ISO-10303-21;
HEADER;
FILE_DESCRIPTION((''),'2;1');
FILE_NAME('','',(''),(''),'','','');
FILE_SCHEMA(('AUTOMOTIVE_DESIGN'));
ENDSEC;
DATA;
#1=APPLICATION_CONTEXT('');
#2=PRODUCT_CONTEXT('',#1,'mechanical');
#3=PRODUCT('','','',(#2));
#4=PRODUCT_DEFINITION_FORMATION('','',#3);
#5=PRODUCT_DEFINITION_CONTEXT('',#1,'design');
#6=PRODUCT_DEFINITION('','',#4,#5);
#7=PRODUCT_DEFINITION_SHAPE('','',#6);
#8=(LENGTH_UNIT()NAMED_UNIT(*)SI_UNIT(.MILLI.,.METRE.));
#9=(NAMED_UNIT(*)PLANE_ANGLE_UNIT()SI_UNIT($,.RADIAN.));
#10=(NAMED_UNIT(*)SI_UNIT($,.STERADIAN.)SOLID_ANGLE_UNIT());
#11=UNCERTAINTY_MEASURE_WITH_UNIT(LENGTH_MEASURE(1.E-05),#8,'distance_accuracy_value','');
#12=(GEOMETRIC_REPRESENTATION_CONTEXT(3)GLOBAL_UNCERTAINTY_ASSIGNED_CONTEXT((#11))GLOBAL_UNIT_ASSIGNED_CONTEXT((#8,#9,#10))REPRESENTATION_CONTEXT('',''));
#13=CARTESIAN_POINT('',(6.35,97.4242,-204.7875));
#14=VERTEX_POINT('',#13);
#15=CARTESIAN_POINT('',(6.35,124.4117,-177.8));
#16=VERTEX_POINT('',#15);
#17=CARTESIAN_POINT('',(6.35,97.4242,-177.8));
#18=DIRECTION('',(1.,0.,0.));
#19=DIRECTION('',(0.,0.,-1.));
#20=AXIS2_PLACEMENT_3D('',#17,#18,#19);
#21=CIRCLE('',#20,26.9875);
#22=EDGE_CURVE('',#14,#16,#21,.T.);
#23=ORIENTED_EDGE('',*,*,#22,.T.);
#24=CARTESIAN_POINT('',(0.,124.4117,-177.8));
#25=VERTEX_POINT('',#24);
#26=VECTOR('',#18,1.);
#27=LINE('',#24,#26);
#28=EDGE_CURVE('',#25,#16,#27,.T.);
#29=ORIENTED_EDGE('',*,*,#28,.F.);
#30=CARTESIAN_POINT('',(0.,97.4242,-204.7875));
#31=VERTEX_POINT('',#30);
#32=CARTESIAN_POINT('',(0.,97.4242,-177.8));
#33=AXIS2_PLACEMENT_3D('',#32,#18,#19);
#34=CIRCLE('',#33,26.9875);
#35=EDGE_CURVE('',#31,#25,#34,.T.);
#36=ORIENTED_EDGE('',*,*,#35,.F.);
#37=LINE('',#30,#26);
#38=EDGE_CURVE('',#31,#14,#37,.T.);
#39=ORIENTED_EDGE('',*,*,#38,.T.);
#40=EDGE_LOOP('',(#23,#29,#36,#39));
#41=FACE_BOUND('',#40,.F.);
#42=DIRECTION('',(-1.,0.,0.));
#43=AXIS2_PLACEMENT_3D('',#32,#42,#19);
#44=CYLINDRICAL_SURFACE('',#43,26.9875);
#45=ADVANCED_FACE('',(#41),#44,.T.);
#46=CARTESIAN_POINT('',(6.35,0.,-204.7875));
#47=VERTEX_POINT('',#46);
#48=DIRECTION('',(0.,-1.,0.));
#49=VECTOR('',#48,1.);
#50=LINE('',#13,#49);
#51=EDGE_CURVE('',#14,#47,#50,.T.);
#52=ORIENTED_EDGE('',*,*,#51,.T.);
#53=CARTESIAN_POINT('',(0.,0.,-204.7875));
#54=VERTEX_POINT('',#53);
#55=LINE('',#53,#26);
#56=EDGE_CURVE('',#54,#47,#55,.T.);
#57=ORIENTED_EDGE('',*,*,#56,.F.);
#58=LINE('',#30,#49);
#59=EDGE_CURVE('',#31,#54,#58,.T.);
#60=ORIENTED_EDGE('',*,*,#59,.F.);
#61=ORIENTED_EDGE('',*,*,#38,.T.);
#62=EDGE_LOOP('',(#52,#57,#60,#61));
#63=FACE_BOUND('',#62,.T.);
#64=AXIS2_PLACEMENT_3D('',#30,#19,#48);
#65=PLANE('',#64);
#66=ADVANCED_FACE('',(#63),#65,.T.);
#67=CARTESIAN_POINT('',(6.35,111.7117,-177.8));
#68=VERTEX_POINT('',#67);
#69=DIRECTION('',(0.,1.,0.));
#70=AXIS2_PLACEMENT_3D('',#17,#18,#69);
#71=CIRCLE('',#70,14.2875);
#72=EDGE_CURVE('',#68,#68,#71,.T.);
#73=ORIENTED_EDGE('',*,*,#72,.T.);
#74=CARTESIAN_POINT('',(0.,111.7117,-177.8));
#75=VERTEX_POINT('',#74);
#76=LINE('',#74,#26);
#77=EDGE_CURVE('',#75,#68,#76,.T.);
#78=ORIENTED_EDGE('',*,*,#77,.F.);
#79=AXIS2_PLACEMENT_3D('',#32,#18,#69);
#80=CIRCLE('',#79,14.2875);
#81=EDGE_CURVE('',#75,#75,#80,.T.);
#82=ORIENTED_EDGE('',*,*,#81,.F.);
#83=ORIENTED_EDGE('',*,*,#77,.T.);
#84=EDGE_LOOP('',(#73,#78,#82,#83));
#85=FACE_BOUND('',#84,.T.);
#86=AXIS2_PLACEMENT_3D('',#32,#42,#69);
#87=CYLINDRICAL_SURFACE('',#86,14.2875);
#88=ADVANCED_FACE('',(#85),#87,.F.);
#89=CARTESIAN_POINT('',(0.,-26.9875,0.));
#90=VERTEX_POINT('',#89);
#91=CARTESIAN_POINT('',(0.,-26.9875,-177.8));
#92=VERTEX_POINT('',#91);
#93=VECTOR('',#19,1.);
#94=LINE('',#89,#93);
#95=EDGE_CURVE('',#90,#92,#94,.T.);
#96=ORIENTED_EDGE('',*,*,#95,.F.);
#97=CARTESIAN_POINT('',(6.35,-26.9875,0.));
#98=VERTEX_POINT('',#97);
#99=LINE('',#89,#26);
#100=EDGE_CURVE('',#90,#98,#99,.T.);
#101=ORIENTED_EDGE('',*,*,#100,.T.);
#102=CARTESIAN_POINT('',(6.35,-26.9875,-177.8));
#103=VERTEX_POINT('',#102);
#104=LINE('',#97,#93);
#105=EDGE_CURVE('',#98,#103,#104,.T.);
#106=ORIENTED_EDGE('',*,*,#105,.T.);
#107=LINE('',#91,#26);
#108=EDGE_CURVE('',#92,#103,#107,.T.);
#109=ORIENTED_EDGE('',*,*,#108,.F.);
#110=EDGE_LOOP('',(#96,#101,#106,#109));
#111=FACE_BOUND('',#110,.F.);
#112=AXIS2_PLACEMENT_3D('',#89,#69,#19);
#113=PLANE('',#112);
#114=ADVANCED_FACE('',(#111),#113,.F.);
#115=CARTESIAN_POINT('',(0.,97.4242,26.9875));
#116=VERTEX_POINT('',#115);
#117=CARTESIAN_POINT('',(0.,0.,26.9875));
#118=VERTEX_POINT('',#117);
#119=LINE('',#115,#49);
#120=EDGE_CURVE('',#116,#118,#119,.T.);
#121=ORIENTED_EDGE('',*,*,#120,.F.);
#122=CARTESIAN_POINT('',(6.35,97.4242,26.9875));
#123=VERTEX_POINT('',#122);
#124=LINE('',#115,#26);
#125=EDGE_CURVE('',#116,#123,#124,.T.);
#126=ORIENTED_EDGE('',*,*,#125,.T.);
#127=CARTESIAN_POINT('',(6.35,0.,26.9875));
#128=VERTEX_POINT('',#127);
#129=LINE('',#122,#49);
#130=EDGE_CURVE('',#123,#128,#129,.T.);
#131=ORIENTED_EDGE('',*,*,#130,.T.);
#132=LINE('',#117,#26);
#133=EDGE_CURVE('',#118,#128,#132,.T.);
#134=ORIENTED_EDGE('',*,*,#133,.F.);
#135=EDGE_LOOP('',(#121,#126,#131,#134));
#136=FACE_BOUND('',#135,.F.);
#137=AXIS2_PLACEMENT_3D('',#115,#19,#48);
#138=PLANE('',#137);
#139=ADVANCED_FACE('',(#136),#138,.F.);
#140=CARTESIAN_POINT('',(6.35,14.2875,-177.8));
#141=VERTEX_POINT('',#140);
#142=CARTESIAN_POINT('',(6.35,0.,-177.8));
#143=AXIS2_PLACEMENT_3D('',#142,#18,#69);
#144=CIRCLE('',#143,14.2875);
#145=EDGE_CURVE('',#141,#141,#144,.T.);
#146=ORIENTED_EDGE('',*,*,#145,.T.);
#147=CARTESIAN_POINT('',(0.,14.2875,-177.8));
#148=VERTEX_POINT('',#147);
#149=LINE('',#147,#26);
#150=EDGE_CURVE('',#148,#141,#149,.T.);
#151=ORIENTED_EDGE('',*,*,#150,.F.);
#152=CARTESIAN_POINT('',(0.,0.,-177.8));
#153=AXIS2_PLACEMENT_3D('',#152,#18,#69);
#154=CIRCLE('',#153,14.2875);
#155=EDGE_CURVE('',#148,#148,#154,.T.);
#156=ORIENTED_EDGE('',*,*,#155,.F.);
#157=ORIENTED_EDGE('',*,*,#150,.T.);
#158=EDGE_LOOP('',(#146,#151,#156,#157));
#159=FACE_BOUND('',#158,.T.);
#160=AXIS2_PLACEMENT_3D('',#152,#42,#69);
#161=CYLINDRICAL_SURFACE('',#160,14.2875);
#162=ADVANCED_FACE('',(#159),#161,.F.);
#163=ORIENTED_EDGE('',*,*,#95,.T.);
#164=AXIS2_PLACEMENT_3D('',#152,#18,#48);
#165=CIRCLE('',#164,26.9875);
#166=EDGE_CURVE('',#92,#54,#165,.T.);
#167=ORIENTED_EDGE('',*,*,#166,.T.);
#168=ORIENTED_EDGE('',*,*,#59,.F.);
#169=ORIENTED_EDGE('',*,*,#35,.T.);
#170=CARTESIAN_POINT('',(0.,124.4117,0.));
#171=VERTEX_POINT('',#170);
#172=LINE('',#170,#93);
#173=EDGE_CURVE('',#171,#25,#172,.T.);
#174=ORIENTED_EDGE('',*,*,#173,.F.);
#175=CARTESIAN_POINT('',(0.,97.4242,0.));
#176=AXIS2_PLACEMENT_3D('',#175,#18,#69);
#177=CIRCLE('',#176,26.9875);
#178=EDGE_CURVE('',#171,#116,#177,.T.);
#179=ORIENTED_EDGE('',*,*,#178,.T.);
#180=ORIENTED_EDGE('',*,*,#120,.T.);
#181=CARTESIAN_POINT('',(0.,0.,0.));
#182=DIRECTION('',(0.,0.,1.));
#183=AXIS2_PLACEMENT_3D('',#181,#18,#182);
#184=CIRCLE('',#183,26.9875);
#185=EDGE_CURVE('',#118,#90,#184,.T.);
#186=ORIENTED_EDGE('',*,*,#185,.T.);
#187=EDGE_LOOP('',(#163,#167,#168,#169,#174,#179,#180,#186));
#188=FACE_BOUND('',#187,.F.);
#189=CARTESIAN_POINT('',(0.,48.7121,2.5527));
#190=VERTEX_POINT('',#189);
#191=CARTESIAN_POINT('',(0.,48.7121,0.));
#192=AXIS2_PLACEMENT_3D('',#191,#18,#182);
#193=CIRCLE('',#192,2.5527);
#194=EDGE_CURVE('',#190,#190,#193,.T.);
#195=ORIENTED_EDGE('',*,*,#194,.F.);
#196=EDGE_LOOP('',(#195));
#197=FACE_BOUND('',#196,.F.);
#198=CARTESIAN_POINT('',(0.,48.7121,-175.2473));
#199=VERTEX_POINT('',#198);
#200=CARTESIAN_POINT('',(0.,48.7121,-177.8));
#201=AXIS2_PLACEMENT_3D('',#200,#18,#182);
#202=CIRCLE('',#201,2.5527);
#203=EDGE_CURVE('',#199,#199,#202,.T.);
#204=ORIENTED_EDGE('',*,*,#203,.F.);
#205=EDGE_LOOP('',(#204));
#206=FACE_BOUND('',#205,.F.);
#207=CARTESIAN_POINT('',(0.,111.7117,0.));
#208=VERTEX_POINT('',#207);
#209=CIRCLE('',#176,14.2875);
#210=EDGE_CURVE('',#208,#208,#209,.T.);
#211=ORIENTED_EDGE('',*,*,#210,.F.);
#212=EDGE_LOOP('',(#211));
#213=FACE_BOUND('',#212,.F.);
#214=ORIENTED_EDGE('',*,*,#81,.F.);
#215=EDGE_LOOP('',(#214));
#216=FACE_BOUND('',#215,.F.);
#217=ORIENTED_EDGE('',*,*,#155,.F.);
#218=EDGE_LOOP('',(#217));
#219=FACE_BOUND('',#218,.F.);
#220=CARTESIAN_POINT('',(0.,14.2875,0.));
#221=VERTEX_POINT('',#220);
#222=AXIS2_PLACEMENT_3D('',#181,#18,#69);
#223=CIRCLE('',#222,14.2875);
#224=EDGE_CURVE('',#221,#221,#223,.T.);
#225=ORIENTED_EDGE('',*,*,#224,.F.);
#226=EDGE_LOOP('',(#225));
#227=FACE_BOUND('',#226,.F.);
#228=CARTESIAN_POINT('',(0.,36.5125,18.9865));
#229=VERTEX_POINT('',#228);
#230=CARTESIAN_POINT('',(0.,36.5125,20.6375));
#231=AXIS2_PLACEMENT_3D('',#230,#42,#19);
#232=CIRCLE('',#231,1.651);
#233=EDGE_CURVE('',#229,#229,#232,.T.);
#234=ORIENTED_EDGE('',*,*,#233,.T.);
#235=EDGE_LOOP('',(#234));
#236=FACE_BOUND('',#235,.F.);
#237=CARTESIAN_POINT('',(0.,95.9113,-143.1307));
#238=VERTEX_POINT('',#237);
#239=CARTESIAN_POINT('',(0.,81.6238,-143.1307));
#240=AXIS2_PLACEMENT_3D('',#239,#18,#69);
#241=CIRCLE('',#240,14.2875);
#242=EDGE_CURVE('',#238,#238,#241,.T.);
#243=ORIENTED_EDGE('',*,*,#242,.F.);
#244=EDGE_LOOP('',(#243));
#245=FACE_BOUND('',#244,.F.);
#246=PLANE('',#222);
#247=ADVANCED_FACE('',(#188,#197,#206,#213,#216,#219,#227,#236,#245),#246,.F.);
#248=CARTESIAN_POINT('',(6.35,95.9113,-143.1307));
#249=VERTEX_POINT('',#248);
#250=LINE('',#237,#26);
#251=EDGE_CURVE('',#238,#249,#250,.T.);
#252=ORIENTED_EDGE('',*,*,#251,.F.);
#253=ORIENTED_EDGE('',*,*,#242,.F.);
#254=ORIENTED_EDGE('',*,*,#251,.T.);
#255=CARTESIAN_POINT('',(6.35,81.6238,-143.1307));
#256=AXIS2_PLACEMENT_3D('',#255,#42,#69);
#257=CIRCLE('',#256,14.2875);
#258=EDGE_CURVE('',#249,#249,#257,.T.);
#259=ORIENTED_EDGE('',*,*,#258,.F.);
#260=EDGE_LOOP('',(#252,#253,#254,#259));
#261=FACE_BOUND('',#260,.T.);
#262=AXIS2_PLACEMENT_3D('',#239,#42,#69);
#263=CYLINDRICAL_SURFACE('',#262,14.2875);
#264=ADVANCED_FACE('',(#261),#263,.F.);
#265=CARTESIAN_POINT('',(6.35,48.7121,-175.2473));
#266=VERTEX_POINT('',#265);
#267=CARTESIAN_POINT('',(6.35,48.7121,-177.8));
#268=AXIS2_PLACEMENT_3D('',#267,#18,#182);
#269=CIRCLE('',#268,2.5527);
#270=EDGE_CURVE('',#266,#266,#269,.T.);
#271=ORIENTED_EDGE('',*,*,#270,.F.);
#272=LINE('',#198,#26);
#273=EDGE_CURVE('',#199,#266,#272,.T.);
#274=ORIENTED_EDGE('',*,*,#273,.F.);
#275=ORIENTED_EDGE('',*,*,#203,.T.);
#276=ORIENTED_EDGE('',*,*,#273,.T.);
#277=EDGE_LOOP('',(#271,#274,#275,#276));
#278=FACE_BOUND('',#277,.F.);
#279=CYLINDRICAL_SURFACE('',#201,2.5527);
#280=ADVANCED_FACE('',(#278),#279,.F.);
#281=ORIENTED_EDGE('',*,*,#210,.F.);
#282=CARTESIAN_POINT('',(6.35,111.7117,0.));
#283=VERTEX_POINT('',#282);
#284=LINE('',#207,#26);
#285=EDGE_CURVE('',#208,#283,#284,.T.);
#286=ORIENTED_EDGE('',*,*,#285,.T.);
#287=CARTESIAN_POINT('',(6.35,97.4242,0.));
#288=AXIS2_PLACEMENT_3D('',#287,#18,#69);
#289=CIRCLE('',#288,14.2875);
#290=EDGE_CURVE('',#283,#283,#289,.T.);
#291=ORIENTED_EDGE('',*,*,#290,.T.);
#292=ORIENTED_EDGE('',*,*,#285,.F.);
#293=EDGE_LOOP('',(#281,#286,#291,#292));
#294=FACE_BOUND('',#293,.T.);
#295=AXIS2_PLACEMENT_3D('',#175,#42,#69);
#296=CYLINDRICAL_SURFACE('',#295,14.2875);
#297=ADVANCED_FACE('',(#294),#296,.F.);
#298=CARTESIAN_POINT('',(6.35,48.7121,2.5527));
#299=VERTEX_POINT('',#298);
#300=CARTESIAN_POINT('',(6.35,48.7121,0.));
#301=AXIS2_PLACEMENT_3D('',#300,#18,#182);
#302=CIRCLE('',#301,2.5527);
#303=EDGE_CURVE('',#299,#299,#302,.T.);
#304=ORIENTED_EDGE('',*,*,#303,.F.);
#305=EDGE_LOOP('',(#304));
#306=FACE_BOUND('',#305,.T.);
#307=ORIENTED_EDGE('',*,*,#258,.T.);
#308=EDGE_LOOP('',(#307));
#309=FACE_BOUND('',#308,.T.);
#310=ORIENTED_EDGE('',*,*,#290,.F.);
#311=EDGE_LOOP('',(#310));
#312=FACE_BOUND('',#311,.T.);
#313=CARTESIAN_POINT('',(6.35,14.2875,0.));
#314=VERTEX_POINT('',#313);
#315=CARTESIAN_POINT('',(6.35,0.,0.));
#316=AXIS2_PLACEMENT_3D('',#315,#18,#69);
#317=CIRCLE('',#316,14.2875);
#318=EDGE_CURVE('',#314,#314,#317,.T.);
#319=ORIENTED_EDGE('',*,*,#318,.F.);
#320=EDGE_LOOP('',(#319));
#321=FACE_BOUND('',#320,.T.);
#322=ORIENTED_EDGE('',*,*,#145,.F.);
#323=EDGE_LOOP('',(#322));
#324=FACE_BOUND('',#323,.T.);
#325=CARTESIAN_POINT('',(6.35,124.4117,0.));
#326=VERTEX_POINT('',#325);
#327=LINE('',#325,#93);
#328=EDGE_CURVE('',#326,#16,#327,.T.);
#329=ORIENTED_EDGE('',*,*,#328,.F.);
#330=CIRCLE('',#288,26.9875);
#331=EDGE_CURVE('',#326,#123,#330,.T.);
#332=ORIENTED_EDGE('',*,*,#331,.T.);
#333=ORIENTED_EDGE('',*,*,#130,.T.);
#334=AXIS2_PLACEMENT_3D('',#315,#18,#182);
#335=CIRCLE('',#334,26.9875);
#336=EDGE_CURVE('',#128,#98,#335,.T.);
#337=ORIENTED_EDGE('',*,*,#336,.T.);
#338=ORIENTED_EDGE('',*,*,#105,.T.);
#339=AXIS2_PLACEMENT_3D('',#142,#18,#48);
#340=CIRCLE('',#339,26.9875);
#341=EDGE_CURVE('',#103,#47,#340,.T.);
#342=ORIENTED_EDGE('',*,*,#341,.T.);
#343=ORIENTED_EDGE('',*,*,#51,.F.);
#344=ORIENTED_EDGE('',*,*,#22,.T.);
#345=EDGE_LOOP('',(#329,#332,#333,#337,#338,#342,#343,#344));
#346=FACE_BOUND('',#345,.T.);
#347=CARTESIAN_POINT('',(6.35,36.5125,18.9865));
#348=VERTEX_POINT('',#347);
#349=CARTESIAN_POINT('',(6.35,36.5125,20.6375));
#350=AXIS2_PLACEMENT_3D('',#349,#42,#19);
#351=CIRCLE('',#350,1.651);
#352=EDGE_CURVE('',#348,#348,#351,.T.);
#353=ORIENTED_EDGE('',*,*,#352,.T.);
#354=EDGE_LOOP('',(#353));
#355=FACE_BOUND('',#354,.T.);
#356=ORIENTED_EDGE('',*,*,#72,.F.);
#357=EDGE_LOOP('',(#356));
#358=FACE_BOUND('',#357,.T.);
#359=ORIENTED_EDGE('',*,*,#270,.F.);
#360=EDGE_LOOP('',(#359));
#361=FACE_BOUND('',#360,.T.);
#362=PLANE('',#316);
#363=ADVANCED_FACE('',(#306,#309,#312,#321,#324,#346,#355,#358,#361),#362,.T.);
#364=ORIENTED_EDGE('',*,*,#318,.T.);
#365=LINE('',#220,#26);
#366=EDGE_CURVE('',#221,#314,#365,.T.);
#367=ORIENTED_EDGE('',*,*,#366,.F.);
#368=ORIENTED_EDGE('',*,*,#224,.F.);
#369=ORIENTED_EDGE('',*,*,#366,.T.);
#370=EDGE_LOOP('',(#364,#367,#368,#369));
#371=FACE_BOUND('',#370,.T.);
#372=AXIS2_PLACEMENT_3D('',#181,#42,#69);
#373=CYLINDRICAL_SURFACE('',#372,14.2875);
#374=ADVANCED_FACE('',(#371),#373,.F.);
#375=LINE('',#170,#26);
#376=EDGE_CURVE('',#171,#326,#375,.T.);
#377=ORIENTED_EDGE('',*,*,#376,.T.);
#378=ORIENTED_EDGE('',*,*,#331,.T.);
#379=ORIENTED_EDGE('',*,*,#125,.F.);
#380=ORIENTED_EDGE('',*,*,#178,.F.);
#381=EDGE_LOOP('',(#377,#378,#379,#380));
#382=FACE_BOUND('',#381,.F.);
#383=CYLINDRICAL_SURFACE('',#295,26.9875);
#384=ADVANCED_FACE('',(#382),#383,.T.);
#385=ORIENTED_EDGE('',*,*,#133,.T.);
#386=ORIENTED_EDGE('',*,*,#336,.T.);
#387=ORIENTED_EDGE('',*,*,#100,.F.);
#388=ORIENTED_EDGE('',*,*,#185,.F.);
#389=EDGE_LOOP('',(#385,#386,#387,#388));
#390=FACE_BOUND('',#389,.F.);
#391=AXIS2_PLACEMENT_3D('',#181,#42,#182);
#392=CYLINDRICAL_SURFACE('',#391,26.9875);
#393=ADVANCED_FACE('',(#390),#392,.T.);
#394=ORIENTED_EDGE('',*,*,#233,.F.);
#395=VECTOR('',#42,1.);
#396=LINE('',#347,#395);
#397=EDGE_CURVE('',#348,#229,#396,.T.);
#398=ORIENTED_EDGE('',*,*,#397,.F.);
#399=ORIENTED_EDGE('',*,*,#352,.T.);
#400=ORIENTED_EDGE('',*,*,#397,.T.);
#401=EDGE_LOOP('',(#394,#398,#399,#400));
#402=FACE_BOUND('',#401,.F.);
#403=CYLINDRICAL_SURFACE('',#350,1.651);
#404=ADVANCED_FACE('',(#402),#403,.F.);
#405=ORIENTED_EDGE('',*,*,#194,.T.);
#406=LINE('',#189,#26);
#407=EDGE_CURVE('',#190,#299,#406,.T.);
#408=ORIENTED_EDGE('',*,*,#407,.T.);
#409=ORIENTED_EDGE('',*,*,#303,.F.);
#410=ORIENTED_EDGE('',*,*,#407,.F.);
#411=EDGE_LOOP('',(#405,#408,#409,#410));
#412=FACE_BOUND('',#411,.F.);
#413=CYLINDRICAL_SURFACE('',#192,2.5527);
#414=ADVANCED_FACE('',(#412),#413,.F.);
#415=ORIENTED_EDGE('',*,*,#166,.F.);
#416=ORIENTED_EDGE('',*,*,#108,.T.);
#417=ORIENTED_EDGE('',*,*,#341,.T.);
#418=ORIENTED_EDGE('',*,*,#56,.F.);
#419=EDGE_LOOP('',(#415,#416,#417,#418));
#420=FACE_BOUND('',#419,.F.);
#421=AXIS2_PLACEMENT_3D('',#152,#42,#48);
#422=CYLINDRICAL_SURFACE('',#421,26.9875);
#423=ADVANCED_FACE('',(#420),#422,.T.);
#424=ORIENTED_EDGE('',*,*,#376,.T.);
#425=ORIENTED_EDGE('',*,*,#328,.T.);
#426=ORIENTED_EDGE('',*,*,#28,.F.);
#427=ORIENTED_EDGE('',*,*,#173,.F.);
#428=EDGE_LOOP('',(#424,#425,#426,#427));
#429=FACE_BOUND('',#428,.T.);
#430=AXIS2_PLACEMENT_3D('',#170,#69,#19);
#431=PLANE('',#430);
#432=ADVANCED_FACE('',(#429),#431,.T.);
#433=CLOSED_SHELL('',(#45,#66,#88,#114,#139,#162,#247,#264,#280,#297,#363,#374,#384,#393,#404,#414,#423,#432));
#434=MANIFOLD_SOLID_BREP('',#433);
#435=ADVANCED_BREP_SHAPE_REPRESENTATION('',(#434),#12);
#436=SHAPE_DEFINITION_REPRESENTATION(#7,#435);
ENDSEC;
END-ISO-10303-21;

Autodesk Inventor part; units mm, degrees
ref_plane "YZ Plane" through (0, 0, 0) normal (1, 0, 0) x (0, 1, 0)
ref_plane "XZ Plane" through (0, 0, 0) normal (0, 1, 0) x (-1, 0, 0)
ref_plane "XY Plane" through (0, 0, 0) normal (0, 0, 1) x (1, 0, 0)
sketch "Sketch1" plane through (0, 0, 0) normal (1, 0, 0) x (0, 1, 0)
  circle A0 centre (0, 0) radius 14.2875
  circle A1 centre (0, -177.8) radius 14.2875
  line L0 (152.4, -31.75) -> (-152.4, -31.75) construction
  line L1 (-152.4, -31.75) -> (-152.4, -146.05) construction
  line L2 (-152.4, -146.05) -> (152.4, -146.05) construction
  line L3 (152.4, -146.05) -> (152.4, -31.75) construction
  line L4 (152.4, -31.75) -> (-152.4, -146.05) construction
  line L5 (-152.4, -31.75) -> (152.4, -146.05) construction
  circle A2 centre (0, 0) radius 38.1 construction
  circle A3 centre (0, -177.8) radius 38.1 construction
  circle A4 centre (0, 0) radius 31.75 construction
  circle A5 centre (0, -177.8) radius 31.75 construction
  circle A6 centre (0, 0) radius 26.9875 construction
  circle A7 centre (0, -177.8) radius 26.9875 construction
  circle A8 centre (97.4242, -177.8) radius 14.2875
  circle A9 centre (97.4242, -177.8) radius 38.1 construction
  circle A10 centre (97.4242, -177.8) radius 31.75 construction
  circle A11 centre (97.4242, -177.8) radius 26.9875 construction
  circle A12 centre (97.4242, 0) radius 14.2875
  circle A13 centre (97.4242, 0) radius 38.1 construction
  circle A14 centre (97.4242, 0) radius 31.75 construction
  circle A15 centre (97.4242, 0) radius 26.9875 construction
  line L6 (97.4242, -204.7875) -> (0, -204.7875)
  line L7 (97.4242, 26.9875) -> (0, 26.9875)
  line L8 (124.4117, 0) -> (124.4117, -177.8)
  line L9 (-26.9875, 0) -> (-26.9875, -177.8)
  arc A16 (124.4117, 0) -> (97.4242, 26.9875) centre (97.4242, 0) ccw
  arc A17 (97.4242, -204.7875) -> (124.4117, -177.8) centre (97.4242, -177.8) ccw
  arc A18 (0, 26.9875) -> (-26.9875, 0) centre (0, 0) ccw
  arc A19 (-26.9875, -177.8) -> (0, -204.7875) centre (0, -177.8) ccw
  line L10 (97.4242, -177.8) -> (0, -177.8) construction
  circle A20 centre (81.6238, -143.1307) radius 14.2875
  circle A21 centre (97.4242, -177.8) radius 19.05 construction
  circle A22 centre (81.6238, -143.1307) radius 19.05 construction
  point P0 (0, -88.9)
  point P1 (48.7121, 0)
  point P2 (48.7121, -177.8)
  point P3 (48.7121, -177.8)
  dimension "d0" = 28.575
  dimension "d2" = 304.8
  dimension "d3" = 114.3
  dimension "d4" = 76.2
  dimension "d6" = 6.35
  dimension "d7" = 12.7
  dimension "d8" = 97.4242
  dimension "d38" = 177.8
  dimension "d40" = 38.1
  dimension "d41" = 144.0002
extrude "Extrusion1" add sketch "Sketch1" along normal blind 6.35 contours L6 A19 L9 A18 L7 A16 L8 A17 | A20
hole "Hole1" at (0, 48.7121, 0) at (0, 48.7121, -177.8) direction (1, 0, 0) diameter 5.1054 end through all clearance for "Flat Head Machine Screw (82)" size "#10" standard "Ansi Unified Screw Threads"
sketch "Sketch3" plane through (6.35, 0, 0) normal (1, 0, 0) x (0, 0, -1)
  line L0 (-26.9875, 97.4242) -> (-26.9875, 0) construction
  line L1 (0, -26.9875) -> (177.8, -26.9875) construction
  point P0 (0, 0)
  point P1 (-20.6375, 36.5125)
  dimension "d29" = 6.35
  dimension "d30" = 63.5
hole "Hole2" at (6.35, 36.5125, 20.6375) direction (-1, 0, 0) diameter 3.302 end through all thread size "8-32 UNC" class "2B" standard "ANSI Unified Screw Threads"
extrude "Extrusion2" cut sketch "Sketch1" along normal through all contours A20
equation "\"d36\" = Thickness"
equation "\"BendRadius\" = Thickness"
equation "\"BendReliefWidth\" = Thickness"
equation "\"BendReliefDepth\" = 0.5 * Thickness"
equation "\"CornerReliefSize\" = 4 * Thickness"
equation "\"MinimumRemnant\" = 2 * Thickness"
equation "\"TransitionRadius\" = BendRadius"
equation "\"JacobiRadiusSize\" = BendRadius"
equation "\"GapSize\" = Thickness"
equation "\"d18\" = Thickness"
equation "\"Thickness\" = 6.35"
properties part number "GP4-006" material "Polycarbonate, Smoke"
